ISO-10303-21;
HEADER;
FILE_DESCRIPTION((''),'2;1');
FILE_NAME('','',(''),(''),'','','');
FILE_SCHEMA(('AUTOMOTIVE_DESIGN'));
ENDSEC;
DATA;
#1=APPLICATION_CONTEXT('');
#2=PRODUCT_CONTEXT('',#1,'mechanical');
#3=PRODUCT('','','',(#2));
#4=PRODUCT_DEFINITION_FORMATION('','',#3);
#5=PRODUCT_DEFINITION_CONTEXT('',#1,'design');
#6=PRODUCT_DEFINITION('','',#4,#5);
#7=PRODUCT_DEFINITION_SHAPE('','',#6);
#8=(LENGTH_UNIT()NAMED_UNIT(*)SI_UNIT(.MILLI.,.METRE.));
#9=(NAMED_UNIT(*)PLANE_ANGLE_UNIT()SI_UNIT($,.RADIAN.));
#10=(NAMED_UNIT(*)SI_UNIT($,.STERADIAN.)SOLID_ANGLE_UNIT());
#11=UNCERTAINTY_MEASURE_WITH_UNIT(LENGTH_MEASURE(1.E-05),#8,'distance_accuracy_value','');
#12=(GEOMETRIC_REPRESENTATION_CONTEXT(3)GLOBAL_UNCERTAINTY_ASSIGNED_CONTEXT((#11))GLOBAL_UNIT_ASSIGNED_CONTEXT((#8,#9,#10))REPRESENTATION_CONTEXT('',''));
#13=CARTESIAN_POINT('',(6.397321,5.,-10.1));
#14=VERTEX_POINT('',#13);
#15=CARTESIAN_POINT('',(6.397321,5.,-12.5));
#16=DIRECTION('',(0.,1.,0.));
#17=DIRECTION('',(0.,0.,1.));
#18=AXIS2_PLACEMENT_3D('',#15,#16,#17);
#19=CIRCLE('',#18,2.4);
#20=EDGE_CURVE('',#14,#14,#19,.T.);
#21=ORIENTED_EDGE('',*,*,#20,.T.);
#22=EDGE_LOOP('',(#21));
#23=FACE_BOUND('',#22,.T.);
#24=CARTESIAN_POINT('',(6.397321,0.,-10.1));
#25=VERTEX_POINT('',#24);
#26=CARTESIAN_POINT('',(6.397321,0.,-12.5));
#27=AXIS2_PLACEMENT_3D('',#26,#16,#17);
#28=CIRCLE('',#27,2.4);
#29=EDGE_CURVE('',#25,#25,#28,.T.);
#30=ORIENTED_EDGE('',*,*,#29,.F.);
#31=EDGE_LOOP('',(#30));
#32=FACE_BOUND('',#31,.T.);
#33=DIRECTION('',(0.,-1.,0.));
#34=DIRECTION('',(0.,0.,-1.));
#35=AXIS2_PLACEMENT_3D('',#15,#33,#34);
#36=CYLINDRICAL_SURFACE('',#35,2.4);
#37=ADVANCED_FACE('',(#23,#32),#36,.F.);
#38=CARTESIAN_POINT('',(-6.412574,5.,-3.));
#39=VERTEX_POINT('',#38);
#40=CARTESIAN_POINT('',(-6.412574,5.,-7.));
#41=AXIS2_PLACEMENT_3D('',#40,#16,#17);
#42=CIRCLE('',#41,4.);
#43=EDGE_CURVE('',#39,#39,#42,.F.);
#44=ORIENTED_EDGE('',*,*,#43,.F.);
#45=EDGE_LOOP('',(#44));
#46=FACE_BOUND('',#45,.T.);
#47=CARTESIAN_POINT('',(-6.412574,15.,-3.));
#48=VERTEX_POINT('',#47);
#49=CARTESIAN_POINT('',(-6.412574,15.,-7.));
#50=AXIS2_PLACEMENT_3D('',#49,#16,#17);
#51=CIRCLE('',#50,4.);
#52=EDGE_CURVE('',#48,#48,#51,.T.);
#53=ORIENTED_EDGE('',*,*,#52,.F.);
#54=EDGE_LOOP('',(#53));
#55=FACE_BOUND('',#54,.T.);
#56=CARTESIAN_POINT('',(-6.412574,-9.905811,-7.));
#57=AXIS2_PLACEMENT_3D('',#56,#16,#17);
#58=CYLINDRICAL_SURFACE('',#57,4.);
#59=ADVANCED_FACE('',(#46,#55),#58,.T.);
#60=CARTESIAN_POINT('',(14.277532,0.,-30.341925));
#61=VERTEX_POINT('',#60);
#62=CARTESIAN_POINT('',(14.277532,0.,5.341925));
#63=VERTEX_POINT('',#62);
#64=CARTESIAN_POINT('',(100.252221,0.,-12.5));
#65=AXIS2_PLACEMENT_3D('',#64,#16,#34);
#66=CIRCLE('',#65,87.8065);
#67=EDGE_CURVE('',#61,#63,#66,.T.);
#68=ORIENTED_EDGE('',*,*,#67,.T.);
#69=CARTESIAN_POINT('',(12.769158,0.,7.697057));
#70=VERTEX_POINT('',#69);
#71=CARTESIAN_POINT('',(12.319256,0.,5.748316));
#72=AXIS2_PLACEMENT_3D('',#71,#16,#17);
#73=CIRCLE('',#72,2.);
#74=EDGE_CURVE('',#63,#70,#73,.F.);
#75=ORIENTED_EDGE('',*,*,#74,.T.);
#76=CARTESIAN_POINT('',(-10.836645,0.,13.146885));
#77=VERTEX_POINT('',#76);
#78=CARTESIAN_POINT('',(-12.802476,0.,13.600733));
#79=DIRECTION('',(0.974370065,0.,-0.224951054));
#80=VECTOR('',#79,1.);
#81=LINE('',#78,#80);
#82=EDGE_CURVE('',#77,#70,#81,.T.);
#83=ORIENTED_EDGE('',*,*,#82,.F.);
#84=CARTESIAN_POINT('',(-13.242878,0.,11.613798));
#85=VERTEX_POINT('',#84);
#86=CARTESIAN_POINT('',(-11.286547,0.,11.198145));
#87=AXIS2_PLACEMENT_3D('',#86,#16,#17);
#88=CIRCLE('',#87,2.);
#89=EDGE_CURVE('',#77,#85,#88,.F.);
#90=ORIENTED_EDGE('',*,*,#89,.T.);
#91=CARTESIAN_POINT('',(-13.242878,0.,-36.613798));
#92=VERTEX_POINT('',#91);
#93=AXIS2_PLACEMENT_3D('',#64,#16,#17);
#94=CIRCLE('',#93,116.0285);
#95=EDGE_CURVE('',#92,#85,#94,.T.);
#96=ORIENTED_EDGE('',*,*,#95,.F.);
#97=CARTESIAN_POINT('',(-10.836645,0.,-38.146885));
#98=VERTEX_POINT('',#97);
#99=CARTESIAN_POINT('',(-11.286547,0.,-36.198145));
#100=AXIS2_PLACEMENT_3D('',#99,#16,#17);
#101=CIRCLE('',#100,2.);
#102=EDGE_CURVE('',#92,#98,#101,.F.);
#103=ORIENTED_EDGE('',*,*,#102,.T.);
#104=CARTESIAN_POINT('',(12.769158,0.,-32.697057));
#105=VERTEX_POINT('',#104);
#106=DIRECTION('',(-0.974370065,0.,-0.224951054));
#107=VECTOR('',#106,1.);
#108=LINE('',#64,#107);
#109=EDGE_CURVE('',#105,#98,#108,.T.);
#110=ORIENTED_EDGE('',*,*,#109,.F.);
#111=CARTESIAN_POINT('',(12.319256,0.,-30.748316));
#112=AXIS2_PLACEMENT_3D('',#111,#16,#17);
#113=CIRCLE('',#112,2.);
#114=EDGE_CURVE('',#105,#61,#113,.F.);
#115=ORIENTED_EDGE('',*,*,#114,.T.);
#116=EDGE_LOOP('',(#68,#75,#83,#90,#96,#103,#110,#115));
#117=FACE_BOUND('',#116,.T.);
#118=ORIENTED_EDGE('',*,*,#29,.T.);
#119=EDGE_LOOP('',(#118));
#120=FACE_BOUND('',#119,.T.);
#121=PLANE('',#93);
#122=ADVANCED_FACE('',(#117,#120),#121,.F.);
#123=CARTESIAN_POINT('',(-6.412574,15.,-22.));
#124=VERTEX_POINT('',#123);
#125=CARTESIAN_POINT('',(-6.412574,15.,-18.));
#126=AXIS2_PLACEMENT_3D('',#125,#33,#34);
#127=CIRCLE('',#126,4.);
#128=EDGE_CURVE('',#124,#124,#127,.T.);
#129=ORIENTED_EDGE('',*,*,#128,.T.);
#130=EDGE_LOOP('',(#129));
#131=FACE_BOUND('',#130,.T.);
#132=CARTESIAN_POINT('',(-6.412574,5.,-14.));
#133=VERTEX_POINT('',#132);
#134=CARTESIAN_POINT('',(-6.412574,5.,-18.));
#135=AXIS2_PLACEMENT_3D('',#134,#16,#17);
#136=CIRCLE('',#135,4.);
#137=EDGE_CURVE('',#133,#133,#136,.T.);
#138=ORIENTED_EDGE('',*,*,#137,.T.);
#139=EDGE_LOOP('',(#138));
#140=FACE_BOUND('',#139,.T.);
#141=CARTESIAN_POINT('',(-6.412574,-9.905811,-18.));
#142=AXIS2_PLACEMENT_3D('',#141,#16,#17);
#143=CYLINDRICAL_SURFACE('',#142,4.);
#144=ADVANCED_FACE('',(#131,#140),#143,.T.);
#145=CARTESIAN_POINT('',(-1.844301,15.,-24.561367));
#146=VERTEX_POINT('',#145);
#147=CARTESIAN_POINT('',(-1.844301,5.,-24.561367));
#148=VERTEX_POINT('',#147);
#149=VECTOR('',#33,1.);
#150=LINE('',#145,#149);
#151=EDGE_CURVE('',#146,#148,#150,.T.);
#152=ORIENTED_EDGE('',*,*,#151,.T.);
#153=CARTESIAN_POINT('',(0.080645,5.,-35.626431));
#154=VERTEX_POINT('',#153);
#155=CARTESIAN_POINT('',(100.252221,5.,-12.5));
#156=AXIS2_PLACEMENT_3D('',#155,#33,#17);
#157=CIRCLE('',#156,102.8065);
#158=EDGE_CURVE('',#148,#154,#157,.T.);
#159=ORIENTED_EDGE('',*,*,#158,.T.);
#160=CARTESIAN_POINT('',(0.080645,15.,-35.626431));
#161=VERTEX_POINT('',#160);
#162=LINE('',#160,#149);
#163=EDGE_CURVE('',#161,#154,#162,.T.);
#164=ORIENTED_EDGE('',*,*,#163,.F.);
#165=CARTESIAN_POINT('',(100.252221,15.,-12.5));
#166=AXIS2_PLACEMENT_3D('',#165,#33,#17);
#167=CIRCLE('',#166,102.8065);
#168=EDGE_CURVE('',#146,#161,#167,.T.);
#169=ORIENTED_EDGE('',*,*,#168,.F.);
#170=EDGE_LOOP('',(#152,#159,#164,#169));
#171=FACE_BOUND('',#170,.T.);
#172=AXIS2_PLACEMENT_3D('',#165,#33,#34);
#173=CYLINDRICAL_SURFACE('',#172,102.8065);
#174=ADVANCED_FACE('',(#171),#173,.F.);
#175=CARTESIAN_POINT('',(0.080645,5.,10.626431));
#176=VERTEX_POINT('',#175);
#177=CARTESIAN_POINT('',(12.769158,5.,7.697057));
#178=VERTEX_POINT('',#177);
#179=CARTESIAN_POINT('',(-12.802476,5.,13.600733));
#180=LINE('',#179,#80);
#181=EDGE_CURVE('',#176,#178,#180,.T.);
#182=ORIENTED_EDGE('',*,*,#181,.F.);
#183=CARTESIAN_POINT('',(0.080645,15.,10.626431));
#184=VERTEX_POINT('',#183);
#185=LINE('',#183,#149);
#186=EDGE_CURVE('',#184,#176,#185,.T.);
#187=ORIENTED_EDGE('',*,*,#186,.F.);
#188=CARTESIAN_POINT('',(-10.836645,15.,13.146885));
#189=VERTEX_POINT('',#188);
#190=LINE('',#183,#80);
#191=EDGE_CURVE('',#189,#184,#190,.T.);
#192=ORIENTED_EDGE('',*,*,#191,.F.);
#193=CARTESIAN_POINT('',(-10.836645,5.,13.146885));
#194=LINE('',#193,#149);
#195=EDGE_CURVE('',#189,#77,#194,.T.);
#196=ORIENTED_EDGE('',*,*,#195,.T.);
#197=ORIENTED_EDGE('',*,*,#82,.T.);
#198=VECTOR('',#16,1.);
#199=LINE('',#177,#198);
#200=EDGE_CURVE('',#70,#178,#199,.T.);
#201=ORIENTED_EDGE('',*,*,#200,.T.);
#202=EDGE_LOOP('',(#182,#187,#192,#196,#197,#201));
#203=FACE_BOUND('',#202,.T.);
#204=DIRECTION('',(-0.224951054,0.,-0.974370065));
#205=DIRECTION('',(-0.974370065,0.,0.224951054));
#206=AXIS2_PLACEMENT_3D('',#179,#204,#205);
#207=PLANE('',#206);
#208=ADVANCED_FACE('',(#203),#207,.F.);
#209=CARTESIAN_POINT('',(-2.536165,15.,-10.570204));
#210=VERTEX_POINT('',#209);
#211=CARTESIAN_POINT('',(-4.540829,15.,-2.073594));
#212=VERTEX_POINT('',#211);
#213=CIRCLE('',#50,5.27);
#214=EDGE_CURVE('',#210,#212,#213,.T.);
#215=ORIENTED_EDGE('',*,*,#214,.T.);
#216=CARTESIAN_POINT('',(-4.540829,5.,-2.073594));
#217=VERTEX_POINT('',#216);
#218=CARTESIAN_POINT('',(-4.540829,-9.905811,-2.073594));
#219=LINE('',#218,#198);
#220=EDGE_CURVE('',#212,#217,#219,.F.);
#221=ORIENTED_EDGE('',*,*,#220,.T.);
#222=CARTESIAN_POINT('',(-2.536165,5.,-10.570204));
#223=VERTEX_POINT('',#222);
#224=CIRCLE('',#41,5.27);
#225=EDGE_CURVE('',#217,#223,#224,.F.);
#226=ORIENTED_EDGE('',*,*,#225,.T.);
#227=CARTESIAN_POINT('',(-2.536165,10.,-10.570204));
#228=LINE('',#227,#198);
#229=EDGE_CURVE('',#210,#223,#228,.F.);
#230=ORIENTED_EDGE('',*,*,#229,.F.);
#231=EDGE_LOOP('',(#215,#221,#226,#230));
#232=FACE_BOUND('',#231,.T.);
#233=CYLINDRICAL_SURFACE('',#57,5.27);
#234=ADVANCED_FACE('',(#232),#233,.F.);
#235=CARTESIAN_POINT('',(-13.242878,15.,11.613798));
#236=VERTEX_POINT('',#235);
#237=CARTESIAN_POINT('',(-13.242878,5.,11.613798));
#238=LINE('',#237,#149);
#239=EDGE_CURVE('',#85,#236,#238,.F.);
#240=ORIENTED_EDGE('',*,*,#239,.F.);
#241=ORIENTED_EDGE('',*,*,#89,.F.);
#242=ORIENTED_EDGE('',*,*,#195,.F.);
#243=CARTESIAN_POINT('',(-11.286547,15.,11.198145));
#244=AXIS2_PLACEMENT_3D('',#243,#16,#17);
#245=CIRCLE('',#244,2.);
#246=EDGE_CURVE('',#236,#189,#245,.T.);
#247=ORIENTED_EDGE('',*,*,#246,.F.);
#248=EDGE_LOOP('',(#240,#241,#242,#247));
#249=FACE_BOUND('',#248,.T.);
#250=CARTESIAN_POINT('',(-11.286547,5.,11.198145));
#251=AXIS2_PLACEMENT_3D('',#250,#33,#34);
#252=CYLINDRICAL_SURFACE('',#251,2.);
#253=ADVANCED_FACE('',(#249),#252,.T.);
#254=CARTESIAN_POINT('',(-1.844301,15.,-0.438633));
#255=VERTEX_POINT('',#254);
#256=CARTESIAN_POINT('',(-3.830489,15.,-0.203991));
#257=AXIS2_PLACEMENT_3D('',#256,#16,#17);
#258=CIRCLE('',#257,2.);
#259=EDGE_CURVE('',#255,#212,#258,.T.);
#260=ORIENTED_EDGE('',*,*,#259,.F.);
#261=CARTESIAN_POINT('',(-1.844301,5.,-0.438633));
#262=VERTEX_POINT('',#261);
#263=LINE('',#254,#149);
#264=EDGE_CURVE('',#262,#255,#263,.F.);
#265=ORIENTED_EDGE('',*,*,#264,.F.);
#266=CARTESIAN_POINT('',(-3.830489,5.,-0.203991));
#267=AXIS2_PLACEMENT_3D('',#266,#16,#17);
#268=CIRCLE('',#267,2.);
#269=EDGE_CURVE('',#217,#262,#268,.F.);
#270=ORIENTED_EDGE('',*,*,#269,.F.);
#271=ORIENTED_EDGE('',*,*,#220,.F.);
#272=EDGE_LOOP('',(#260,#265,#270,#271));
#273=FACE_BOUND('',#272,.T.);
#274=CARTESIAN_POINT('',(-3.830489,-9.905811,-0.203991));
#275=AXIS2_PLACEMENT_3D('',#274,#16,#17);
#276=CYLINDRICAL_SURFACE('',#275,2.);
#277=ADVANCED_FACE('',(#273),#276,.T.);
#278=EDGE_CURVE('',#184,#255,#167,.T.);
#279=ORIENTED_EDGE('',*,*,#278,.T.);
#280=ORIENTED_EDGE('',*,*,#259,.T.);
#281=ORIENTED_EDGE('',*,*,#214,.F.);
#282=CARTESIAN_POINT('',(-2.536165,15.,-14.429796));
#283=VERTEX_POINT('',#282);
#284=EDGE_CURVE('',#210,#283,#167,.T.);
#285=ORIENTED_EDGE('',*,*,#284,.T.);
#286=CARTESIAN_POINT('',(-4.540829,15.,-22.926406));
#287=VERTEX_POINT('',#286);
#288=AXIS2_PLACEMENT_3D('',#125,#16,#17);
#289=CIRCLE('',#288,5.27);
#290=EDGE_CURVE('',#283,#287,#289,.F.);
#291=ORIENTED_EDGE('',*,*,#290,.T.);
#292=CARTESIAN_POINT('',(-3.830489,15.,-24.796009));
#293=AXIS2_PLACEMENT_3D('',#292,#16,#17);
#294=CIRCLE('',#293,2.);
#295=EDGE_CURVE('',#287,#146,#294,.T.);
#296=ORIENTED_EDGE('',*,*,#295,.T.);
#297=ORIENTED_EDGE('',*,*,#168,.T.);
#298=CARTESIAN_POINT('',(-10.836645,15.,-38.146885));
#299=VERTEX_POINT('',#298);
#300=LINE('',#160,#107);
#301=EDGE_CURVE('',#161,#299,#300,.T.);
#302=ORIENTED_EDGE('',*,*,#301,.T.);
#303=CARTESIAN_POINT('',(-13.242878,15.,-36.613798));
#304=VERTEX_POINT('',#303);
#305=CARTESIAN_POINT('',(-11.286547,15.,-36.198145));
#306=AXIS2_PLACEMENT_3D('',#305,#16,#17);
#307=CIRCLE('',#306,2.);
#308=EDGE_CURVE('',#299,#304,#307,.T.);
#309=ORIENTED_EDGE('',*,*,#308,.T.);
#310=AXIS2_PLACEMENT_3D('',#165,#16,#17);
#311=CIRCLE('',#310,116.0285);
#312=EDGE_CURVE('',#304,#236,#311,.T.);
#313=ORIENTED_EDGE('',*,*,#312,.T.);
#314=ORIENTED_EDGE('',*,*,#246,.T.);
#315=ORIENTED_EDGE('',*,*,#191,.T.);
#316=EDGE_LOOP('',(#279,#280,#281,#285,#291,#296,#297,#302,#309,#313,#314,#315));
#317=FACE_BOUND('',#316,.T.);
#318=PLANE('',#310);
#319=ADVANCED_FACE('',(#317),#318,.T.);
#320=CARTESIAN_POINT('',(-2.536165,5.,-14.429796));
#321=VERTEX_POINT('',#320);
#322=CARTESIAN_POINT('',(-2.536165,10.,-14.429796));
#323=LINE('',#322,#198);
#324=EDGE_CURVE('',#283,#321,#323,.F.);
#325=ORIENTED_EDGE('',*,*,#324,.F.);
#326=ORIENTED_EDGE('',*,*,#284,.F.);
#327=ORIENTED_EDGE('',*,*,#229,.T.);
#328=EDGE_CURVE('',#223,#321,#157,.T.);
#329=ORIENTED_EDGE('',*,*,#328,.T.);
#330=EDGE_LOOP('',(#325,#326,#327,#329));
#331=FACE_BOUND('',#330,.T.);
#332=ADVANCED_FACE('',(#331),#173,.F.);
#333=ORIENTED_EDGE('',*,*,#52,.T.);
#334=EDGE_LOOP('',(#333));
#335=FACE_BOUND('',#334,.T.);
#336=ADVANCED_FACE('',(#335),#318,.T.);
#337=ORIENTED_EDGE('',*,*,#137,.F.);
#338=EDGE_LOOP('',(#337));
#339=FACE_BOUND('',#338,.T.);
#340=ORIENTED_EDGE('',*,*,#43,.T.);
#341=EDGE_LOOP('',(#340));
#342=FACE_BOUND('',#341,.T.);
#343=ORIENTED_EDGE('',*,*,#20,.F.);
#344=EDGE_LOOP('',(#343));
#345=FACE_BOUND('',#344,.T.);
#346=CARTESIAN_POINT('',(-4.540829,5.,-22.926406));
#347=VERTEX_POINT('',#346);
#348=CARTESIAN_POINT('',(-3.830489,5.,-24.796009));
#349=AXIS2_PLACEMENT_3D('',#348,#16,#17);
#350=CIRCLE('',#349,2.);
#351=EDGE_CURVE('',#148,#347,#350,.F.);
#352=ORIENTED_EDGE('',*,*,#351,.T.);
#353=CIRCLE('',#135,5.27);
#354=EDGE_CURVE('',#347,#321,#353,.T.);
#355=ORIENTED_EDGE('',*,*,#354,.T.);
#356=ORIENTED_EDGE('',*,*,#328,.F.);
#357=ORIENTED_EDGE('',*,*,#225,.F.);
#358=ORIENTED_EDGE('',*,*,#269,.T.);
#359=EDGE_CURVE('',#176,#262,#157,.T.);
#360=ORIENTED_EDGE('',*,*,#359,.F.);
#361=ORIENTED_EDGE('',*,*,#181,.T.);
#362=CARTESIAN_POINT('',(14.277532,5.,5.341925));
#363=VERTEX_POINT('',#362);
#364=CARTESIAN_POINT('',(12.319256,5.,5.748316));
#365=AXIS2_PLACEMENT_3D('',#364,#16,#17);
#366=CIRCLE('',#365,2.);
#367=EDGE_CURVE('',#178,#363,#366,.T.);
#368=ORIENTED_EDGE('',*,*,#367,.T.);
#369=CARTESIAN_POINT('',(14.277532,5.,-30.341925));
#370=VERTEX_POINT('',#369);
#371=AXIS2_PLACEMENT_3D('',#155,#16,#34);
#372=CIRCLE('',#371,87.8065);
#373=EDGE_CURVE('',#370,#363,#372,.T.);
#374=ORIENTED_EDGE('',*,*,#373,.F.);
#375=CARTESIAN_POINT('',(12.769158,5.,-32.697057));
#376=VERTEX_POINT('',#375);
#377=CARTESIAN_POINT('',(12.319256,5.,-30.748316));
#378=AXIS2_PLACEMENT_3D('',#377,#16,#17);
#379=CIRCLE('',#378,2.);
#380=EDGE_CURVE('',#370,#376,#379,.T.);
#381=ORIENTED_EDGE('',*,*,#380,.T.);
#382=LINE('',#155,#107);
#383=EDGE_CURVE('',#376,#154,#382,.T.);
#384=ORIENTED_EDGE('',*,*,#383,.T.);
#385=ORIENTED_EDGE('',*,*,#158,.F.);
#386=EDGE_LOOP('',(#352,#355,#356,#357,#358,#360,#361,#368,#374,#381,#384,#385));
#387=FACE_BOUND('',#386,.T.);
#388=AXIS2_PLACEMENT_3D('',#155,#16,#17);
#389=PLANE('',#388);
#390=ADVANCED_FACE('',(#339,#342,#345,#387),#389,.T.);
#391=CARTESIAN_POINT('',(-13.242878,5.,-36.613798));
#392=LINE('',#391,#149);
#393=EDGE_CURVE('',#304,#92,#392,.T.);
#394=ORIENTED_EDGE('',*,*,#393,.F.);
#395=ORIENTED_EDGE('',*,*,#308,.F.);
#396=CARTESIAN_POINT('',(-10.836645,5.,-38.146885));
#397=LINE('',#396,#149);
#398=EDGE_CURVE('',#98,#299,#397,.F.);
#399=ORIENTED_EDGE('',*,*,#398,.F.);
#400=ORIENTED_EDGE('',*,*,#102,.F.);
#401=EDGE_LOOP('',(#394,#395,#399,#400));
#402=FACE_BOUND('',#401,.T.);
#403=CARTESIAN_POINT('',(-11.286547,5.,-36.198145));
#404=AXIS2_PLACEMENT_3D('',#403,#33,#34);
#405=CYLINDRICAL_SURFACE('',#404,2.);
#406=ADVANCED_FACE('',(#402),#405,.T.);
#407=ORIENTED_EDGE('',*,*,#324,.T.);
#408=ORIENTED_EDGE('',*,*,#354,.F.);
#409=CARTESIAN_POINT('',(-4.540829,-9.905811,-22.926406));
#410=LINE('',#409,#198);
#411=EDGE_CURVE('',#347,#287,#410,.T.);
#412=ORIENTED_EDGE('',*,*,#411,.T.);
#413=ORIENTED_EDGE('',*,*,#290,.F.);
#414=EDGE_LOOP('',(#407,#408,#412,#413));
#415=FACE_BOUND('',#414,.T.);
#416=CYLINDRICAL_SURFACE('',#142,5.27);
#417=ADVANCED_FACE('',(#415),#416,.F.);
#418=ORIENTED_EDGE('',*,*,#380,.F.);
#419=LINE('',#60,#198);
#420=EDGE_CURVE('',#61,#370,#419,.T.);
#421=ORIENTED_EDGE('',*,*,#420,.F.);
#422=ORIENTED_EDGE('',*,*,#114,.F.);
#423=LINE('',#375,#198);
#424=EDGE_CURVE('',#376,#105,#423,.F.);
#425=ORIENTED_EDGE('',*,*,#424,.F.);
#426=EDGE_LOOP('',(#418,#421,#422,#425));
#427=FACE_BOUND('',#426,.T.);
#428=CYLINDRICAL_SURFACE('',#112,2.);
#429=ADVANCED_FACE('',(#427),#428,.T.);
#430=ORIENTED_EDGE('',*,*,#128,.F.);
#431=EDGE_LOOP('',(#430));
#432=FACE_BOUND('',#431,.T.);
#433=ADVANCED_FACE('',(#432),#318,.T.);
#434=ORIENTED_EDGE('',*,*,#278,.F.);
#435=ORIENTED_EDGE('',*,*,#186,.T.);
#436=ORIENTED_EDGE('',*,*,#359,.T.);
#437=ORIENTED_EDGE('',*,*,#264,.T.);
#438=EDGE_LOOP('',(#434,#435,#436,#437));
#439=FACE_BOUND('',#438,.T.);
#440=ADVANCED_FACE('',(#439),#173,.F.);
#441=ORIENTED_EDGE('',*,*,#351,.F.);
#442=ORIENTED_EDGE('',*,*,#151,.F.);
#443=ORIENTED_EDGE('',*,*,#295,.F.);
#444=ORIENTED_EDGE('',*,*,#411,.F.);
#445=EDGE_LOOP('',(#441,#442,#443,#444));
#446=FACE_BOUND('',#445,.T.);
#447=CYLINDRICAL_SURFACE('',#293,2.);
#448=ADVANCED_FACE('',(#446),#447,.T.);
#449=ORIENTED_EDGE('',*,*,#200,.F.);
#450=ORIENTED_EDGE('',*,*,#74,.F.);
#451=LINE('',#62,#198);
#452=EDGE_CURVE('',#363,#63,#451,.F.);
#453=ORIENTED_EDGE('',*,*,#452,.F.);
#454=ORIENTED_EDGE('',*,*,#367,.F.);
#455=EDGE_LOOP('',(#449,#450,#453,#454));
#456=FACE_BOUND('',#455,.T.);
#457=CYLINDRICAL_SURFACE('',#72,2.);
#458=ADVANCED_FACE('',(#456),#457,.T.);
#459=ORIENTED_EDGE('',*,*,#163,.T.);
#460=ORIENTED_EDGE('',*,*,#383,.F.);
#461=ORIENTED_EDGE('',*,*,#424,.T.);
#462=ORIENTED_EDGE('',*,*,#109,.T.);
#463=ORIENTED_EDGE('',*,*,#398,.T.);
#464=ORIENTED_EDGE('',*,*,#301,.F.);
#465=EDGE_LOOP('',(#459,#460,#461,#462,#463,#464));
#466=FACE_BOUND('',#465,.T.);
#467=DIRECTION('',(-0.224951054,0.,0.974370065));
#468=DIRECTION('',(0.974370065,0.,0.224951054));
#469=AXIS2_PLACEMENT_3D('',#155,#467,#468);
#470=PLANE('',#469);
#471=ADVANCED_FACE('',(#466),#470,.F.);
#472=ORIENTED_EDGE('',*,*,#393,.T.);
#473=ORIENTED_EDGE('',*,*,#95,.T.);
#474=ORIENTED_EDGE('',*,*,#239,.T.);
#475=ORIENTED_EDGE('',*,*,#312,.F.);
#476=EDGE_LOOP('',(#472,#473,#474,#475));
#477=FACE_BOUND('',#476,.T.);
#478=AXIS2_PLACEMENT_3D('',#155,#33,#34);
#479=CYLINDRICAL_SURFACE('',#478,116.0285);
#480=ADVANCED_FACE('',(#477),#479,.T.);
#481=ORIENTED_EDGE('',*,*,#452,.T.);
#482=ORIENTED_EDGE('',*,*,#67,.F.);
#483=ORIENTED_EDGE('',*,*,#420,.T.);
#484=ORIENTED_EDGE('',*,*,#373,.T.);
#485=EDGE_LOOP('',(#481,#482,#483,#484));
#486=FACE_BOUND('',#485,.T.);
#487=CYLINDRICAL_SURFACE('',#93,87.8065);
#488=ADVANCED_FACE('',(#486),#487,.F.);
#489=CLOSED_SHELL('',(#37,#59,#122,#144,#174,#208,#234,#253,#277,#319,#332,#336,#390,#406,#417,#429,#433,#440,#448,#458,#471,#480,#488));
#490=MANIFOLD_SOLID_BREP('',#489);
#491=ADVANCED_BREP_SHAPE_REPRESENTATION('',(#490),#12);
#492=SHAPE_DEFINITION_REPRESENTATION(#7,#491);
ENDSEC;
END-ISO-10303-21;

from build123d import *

# Parameters (mm, degrees)
SKETCH2_R           = 2.4
BOSS_EXTRUDE1_DEPTH = 5
BOSS_EXTRUDE2_DEPTH = 10
SKETCH4_R           = 5.27
SKETCH4_R_2         = 4
CUT_EXTRUDE1_DEPTH  = 10
CUT_EXTRUDE2_DEPTH  = 6
FILLET1_R           = 2


with BuildPart() as part:
    # Sketch2 → Boss-Extrude1 (new body)
    with BuildSketch(Plane(origin=(0, 0, 0), x_dir=(1, 0, 0), z_dir=(0, 1, 0))):
        with BuildLine():
            Line((100.252220984, 12.5), (-12.802476078, 38.600733409))
            ThreePointArc((-12.802476078, 38.600733409), (-15.776279016, 12.5), (-12.802476078, -13.600733409))
            Line((-12.802476078, -13.600733409), (100.252220984, 12.5))
        make_face()
        with Locations((6.397320984, 12.5)):
            Circle(SKETCH2_R, mode=Mode.SUBTRACT)
    extrude(amount=BOSS_EXTRUDE1_DEPTH)

    # Sketch3 → Boss-Extrude2 (add)
    with BuildSketch(Plane(origin=(0, 5, 0), x_dir=(1, 0, 0), z_dir=(0, 1, 0))):
        with BuildLine():
            Line((0.080644919, -10.626430568), (-12.802476078, -13.600733409))
            ThreePointArc((-12.802476078, -13.600733409), (-15.776279016, 12.5), (-12.802476078, 38.600733409))
            Line((-12.802476078, 38.600733409), (0.080644919, 35.626430568))
            ThreePointArc((0.080644919, 35.626430568), (-2.554279016, 12.5), (0.080644919, -10.626430568))
        make_face()
    extrude(amount=BOSS_EXTRUDE2_DEPTH)

    # Sketch4 → Cut-Extrude1 (cut)
    with BuildSketch(Plane(origin=(0, 15, 0), x_dir=(1, 0, 0), z_dir=(0, 1, 0))):
        with Locations((-6.412573781, 7)):
            Circle(SKETCH4_R)
        with Locations((-6.412573781, 7)):
            Circle(SKETCH4_R_2, mode=Mode.SUBTRACT)
    cut_extrude1 = extrude(amount=-CUT_EXTRUDE1_DEPTH, mode=Mode.SUBTRACT)

    # Mirror1: Cut-Extrude1 across plane
    add(cut_extrude1.mirror(Plane.XY.offset(-12.5)), mode=Mode.SUBTRACT)

    # Sketch5 → Cut-Extrude2 (cut, through all)
    with BuildSketch(Plane(origin=(0, 5, 0), x_dir=(1, 0, 0), z_dir=(0, 1, 0))):
        with BuildLine():
            Line((14.696195891, -7.252164753), (100.252220984, 12.5))
            Line((100.252220984, 12.5), (14.696195891, 32.252164753))
            ThreePointArc((14.696195891, 32.252164753), (12.445720984, 12.5), (14.696195891, -7.252164753))
        make_face()
    extrude(amount=-CUT_EXTRUDE2_DEPTH, mode=Mode.SUBTRACT)

    # Fillet1
    fillet1_edges = [part.edges().sort_by_distance(p)[0] for p in [
        (-2.189516169, 10, -3.847432094),
        (-2.189516169, 10, -21.152567906),
        (-12.802476078, 7.5, 13.600733409),
        (14.696195891, 2.5, -32.252164753),
        (-12.802476078, 7.5, -38.600733409),
        (14.696195891, 2.5, 7.252164753),
    ]]
    fillet(fillet1_edges, radius=FILLET1_R)


solid = part.part
